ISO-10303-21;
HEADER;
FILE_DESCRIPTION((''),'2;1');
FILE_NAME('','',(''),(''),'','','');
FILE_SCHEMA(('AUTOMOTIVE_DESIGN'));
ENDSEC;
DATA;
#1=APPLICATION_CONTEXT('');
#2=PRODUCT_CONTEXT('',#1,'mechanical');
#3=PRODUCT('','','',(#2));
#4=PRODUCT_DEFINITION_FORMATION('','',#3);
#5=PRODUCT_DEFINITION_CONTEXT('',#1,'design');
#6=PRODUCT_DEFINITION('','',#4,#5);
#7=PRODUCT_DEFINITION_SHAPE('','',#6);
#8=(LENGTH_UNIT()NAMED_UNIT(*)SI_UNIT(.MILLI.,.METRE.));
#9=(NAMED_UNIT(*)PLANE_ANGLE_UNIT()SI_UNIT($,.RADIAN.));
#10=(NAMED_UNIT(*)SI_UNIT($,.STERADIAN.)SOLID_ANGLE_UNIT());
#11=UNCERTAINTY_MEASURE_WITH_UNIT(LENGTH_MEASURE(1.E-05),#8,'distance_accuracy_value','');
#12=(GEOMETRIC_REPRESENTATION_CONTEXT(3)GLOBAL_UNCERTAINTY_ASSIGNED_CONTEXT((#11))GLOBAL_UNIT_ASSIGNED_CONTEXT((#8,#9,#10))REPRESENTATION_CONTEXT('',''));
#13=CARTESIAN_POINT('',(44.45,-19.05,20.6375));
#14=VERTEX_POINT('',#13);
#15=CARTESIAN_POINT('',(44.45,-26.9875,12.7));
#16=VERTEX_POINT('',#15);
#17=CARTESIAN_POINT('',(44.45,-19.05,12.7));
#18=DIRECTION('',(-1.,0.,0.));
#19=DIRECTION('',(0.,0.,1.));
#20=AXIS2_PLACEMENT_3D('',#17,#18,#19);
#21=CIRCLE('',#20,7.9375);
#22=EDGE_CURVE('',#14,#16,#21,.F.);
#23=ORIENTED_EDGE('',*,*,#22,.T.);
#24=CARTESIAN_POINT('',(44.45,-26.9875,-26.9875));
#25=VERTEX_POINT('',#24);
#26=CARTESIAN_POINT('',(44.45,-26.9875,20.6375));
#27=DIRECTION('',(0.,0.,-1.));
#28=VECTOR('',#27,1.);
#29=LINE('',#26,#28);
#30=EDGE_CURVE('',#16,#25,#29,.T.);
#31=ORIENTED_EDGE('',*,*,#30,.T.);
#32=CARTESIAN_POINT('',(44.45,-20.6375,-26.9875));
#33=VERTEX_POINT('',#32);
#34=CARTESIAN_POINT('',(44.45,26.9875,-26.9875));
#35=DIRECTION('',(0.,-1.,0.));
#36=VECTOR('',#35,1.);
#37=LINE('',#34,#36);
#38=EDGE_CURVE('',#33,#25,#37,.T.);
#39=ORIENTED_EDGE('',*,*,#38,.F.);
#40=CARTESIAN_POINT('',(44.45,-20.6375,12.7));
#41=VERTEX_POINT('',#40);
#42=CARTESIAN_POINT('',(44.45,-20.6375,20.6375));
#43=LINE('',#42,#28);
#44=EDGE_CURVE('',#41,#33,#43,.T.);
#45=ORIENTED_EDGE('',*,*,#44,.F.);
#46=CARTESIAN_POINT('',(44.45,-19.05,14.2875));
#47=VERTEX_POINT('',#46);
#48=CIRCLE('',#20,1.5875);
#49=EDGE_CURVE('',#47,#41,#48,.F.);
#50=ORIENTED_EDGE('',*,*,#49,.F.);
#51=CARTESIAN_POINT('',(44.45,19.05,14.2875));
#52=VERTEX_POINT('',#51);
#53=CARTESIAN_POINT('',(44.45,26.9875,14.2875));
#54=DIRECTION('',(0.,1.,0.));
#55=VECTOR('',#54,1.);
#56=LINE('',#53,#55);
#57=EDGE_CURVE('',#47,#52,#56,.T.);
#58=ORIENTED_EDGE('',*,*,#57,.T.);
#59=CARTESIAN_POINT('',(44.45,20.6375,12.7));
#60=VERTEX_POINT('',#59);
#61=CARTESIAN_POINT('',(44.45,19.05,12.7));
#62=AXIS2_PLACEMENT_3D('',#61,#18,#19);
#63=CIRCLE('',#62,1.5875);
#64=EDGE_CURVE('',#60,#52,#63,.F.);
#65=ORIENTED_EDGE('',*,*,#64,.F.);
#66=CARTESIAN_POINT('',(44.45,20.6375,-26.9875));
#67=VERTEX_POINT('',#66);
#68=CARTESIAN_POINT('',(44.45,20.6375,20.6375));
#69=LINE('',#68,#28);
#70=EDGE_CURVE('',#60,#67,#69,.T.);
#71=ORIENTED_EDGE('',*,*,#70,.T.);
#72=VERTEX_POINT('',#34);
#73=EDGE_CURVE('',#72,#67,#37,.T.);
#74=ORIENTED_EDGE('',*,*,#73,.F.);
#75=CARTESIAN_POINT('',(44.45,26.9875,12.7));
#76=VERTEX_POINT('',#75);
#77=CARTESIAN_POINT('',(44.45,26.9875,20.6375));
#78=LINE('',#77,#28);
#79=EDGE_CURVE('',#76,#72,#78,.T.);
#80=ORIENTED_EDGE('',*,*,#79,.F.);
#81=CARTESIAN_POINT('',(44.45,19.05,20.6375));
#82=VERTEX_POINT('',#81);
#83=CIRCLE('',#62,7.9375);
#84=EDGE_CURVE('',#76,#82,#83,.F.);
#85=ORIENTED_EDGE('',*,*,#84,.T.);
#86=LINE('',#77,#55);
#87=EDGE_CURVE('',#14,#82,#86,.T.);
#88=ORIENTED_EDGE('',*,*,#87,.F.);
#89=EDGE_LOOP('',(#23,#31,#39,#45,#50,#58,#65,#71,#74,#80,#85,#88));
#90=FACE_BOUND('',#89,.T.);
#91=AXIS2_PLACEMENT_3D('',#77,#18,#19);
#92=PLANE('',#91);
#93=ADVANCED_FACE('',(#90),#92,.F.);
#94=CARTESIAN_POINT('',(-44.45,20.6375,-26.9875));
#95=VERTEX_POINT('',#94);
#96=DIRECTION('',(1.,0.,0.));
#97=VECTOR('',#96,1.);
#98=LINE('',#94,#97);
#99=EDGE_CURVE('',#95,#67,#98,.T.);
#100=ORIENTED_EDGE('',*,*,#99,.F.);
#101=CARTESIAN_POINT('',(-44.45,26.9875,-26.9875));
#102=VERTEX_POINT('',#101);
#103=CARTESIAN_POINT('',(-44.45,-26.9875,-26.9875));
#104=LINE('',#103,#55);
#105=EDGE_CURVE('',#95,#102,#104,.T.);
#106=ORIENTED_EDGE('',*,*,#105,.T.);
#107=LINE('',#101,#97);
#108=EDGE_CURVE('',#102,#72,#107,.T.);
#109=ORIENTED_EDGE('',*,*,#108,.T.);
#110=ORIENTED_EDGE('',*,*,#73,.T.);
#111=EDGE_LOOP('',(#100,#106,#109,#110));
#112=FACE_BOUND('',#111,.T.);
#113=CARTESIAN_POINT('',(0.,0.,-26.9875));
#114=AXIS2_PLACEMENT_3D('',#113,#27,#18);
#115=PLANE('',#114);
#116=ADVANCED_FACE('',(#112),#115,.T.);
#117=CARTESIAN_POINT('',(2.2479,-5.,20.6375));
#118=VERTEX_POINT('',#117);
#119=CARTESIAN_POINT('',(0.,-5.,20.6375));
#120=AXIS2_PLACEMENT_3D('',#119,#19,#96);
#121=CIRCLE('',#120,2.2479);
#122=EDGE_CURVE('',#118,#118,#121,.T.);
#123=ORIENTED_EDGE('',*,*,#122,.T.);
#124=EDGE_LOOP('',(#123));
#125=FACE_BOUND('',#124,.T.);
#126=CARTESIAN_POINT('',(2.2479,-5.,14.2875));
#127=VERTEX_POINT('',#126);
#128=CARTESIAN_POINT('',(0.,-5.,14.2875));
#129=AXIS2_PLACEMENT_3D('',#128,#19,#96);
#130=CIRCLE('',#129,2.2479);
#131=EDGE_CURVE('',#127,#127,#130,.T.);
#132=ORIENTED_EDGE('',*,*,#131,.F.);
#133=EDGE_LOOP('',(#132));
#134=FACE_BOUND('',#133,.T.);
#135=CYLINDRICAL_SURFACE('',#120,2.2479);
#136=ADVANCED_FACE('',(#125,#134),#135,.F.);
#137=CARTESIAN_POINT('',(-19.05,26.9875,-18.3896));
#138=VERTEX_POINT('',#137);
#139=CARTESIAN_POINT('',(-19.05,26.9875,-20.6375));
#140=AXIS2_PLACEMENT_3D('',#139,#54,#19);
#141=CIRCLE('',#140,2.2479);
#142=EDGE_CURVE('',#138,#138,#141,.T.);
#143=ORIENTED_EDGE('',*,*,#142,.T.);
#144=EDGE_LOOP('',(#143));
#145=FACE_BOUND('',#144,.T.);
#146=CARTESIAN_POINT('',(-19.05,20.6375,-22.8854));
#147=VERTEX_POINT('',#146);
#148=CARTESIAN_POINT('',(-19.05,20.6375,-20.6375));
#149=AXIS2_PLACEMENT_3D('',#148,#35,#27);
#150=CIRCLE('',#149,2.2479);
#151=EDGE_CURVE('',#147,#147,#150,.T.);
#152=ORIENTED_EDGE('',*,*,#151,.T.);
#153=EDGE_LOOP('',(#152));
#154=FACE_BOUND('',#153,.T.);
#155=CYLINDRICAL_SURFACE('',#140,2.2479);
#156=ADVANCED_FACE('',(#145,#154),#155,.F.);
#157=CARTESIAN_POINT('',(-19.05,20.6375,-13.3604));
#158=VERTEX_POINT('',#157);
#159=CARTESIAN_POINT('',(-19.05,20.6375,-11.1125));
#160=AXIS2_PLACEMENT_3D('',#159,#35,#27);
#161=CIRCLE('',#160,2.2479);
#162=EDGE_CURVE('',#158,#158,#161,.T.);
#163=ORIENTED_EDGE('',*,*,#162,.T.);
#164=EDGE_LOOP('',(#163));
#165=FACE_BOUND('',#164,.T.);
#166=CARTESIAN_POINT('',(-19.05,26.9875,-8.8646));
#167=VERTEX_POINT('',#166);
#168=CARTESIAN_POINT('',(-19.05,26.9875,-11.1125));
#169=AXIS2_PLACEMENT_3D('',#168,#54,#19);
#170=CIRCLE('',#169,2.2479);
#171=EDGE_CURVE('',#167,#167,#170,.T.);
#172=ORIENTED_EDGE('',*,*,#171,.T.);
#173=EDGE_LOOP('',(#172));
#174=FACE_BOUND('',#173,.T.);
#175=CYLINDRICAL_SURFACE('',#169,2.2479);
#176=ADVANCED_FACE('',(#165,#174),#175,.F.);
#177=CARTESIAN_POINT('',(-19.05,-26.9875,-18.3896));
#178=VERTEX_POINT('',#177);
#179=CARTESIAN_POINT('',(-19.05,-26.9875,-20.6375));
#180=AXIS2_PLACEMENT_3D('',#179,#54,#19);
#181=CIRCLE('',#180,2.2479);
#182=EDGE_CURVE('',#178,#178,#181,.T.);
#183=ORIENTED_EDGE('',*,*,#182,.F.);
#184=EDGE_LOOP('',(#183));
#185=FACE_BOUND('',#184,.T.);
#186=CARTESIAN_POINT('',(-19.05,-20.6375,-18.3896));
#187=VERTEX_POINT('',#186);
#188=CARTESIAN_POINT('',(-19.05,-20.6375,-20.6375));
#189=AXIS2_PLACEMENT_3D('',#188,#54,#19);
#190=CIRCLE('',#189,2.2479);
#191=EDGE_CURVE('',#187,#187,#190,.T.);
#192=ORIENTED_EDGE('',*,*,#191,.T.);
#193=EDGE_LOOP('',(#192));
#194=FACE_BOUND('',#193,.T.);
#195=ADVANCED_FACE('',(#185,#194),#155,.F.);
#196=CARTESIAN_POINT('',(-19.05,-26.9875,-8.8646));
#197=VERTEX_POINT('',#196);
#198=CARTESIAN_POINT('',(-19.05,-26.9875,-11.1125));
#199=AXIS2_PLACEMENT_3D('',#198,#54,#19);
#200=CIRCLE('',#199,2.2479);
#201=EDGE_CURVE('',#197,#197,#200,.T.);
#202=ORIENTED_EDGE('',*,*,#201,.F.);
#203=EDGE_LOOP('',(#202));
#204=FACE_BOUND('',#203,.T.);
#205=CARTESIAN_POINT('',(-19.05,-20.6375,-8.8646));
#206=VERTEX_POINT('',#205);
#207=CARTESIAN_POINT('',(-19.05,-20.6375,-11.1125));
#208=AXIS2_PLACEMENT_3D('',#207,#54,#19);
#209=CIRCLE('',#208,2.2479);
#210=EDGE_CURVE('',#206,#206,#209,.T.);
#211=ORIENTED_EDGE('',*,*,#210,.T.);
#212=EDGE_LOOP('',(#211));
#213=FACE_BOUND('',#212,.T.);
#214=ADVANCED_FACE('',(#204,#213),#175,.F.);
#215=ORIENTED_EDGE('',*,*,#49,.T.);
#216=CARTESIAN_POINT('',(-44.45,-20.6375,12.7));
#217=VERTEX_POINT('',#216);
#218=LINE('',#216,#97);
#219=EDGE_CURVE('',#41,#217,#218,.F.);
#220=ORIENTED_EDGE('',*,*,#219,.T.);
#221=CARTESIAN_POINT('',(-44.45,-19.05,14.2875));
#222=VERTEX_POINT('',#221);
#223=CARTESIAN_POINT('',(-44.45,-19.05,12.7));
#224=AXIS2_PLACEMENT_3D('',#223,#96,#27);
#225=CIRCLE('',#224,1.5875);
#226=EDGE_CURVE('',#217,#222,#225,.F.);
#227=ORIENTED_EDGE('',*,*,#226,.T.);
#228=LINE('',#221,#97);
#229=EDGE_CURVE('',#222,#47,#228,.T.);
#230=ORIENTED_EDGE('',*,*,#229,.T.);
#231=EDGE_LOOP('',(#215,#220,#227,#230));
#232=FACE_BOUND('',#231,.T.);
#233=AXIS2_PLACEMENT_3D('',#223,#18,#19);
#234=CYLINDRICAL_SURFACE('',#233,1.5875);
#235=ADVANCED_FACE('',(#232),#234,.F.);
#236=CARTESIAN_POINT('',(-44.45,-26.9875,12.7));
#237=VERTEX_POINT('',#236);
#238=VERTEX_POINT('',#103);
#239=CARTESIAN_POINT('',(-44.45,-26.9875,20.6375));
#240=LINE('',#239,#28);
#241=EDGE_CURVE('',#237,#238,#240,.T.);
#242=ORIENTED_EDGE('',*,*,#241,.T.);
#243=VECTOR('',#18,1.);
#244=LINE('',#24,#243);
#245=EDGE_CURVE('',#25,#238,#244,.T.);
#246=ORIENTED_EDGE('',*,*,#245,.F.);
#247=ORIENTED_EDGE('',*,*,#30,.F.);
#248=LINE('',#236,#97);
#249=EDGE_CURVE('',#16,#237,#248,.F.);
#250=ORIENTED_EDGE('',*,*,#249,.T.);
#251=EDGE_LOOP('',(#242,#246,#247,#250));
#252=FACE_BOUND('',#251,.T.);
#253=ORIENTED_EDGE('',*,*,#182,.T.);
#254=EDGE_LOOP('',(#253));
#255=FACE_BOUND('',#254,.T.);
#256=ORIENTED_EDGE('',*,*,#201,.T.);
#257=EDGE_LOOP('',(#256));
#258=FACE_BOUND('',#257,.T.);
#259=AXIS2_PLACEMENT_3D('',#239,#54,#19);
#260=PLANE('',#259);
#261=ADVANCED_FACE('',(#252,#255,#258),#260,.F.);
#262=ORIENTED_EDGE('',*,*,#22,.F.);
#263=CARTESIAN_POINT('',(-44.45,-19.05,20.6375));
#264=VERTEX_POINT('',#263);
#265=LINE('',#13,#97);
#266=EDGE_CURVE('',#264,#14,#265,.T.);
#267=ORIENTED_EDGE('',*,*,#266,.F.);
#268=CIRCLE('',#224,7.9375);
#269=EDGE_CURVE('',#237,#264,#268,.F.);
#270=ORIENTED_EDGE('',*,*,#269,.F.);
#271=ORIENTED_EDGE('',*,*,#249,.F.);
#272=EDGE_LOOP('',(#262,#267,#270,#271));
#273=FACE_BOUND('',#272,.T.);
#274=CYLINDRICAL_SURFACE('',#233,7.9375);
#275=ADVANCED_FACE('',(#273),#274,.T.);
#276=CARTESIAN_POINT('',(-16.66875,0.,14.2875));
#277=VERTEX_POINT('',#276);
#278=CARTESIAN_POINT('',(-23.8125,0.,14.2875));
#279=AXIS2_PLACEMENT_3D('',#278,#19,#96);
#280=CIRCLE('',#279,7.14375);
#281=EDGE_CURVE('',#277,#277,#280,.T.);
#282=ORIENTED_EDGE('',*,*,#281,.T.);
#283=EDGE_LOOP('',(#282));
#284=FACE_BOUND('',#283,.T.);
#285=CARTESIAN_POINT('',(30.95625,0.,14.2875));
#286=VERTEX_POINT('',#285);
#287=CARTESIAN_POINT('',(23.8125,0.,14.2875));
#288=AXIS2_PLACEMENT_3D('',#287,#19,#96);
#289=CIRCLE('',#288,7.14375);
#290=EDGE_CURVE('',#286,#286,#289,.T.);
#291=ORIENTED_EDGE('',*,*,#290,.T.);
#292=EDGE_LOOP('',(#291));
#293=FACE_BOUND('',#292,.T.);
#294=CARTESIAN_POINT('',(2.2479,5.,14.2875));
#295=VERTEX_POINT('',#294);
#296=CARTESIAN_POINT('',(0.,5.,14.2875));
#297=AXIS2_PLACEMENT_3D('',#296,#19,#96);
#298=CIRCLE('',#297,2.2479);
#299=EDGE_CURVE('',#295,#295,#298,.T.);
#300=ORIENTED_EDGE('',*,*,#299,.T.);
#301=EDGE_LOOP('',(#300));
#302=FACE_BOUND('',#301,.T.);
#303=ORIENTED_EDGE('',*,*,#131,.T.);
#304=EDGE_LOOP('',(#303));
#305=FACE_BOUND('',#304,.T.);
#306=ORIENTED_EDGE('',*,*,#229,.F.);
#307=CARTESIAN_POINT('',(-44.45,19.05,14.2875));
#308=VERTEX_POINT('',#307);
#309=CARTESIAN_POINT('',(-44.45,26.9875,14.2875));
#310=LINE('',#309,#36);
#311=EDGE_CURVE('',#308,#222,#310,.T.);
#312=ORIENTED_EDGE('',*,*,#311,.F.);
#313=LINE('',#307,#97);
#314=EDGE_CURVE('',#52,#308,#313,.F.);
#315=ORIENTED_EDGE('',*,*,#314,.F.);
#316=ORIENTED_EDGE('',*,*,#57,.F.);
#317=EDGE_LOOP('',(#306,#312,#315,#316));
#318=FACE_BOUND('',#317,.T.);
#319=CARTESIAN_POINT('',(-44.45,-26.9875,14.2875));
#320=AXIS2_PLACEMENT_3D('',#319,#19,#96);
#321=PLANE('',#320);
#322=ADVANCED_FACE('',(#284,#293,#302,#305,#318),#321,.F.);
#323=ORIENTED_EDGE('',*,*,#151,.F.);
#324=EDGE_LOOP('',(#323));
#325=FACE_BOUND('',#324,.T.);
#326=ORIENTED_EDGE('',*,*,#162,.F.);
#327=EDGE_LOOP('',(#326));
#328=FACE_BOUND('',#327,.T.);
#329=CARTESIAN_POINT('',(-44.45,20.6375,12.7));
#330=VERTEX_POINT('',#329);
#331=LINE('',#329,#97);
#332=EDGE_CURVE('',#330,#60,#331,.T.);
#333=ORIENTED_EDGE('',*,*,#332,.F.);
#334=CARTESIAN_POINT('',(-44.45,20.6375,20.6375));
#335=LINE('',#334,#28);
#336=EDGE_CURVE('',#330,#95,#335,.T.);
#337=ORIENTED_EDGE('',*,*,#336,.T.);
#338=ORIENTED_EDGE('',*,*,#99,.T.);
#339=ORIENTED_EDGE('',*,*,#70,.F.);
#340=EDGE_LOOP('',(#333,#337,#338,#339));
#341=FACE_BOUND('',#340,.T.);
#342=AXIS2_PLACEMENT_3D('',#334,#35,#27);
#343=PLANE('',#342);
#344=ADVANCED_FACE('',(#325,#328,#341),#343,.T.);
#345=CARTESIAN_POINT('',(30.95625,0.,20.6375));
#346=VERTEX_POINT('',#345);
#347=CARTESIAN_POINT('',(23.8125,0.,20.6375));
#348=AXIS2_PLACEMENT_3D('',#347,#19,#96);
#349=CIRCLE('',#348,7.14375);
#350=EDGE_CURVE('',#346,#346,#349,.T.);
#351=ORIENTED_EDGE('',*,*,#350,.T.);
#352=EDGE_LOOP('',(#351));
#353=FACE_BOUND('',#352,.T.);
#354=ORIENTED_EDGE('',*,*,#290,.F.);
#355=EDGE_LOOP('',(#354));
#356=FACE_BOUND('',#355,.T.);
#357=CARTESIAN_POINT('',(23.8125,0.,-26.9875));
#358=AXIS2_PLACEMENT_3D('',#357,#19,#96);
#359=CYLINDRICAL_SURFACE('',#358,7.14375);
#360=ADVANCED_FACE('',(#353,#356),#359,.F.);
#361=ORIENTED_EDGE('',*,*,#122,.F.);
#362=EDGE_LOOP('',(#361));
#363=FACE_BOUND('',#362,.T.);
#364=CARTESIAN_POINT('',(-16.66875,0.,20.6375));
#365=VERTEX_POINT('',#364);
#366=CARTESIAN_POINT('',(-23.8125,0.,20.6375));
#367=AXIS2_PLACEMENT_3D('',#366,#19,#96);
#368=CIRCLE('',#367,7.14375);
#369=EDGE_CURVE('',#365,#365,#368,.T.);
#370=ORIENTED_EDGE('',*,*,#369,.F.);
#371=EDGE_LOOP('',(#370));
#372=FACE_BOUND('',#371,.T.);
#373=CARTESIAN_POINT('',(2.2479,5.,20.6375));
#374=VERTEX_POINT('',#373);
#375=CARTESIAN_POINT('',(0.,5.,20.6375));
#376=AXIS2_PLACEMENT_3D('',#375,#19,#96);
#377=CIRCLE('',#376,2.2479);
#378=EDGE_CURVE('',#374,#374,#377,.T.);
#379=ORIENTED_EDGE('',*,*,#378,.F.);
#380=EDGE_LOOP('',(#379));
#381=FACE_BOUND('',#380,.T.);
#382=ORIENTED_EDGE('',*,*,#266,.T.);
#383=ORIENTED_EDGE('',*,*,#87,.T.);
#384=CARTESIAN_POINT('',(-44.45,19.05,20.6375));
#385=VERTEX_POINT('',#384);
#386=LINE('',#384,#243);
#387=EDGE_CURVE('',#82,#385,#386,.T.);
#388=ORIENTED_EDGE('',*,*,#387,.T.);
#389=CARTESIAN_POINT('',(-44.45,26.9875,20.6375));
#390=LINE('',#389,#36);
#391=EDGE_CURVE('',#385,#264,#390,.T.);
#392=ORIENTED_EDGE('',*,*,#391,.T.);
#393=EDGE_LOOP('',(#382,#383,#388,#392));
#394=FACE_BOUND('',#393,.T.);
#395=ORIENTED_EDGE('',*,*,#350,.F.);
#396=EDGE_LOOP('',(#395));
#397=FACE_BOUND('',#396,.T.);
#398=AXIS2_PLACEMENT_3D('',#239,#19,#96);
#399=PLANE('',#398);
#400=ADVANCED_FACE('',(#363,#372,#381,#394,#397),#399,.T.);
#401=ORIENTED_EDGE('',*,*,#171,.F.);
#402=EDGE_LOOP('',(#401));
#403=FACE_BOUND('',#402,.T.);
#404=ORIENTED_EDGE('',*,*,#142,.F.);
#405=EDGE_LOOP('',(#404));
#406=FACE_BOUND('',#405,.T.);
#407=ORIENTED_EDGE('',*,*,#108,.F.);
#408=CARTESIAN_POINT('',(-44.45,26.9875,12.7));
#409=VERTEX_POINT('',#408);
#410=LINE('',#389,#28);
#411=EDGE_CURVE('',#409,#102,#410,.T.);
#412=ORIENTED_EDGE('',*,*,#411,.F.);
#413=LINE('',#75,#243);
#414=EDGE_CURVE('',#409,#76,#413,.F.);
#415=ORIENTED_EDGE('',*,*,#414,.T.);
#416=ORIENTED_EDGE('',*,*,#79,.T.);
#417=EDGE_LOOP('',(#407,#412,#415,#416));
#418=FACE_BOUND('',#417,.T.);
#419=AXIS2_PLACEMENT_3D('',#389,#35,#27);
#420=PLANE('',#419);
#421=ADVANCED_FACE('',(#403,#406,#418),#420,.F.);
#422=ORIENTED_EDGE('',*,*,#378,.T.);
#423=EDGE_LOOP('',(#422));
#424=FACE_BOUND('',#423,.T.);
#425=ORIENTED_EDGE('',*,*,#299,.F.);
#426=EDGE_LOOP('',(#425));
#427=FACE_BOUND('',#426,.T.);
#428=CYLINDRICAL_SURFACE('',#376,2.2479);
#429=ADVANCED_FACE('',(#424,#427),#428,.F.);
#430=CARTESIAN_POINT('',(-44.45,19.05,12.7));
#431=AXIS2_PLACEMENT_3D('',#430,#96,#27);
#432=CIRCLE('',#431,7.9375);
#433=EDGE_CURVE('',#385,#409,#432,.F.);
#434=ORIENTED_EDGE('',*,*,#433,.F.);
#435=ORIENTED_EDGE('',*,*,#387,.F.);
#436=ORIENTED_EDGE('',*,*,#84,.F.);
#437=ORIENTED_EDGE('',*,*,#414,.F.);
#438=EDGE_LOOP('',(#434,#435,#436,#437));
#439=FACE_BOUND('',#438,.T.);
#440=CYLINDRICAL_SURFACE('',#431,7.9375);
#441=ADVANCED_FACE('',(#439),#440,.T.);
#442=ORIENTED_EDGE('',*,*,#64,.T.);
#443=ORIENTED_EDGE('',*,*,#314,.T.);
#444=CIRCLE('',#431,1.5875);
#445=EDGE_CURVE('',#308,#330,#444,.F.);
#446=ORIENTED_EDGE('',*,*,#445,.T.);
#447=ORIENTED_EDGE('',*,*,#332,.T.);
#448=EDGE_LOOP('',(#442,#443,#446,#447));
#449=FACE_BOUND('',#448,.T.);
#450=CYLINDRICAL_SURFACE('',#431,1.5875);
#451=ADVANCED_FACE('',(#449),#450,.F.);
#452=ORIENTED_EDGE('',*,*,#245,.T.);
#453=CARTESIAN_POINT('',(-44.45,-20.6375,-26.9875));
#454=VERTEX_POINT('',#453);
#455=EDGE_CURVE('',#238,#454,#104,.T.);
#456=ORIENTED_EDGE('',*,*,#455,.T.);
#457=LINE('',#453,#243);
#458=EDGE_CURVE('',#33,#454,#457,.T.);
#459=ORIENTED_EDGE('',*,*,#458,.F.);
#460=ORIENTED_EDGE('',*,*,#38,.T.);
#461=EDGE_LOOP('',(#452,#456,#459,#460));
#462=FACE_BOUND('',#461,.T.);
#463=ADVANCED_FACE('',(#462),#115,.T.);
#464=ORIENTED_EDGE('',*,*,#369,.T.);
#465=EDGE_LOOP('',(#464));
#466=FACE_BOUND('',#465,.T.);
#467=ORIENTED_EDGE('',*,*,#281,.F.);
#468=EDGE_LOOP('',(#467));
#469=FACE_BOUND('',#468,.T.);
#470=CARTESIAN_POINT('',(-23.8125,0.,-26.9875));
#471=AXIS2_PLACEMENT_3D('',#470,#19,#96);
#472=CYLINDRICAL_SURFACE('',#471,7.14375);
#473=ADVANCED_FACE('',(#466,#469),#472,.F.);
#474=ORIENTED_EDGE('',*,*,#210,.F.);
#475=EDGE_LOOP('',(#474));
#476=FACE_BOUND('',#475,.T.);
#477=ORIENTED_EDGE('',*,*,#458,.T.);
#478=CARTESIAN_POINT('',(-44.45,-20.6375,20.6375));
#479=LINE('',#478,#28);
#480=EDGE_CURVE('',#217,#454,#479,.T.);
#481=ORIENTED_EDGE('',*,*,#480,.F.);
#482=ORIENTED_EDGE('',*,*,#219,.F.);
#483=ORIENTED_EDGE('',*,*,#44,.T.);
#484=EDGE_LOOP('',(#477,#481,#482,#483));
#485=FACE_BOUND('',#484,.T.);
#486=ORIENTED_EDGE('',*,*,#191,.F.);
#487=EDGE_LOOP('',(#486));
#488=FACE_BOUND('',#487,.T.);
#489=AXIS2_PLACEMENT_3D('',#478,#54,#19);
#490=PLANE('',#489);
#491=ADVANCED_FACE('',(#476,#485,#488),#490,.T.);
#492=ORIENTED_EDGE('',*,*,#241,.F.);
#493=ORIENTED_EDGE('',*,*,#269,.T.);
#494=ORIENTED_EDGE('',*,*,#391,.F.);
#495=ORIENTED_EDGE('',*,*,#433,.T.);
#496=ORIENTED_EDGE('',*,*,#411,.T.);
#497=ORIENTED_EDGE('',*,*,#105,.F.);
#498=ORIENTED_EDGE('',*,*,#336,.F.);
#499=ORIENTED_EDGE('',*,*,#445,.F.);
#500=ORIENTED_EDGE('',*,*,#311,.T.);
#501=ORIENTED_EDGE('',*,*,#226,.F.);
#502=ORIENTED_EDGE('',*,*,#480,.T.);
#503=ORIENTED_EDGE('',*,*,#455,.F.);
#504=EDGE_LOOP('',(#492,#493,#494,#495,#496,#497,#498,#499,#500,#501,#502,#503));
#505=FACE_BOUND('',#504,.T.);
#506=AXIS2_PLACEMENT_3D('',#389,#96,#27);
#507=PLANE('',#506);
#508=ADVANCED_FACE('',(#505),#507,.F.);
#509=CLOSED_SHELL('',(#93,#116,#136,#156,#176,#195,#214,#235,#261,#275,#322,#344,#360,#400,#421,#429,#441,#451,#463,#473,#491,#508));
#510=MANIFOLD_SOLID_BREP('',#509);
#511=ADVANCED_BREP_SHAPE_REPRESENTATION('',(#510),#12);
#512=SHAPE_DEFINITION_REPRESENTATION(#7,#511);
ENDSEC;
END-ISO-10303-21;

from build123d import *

# Parameters (mm, degrees)
SKETCH1_W                   = 88.9
SKETCH1_H                   = 53.975
BOSS_EXTRUDE1_DEPTH         = 20.6375
FILLET1_R                   = 7.9375
SKETCH3_W                   = 88.9
SKETCH3_H                   = 53.975
BOSS_EXTRUDE2_DEPTH         = 6.35
SHELL1_T                    = -6.35
SKETCH2_R                   = 7.14375
CUT_EXTRUDE1_DEPTH          = 47.625
F_16_0_177_DIAMETER_HOLE1_D = 4.4958
F_16_0_177_DIAMETER_HOLE2_D = 4.4958


with BuildPart() as part:
    # Sketch1 → Boss-Extrude1 (new body, symmetric)
    with BuildSketch(Plane.XY):
        Rectangle(SKETCH1_W, SKETCH1_H)
    extrude(amount=BOSS_EXTRUDE1_DEPTH, both=True)

    # Fillet1
    fillet1_edges = [part.edges().sort_by_distance(p)[0] for p in [
        (0, 26.9875, 20.6375),
        (0, -26.9875, 20.6375),
    ]]
    fillet(fillet1_edges, radius=FILLET1_R)

    # Sketch3 → Boss-Extrude2 (add)
    with BuildSketch(Plane(origin=(0, 0, -20.6375), x_dir=(-1, 0, 0), z_dir=(0, 0, -1))):
        Rectangle(SKETCH3_W, SKETCH3_H)
    extrude(amount=BOSS_EXTRUDE2_DEPTH)

    # Shell1
    shell1_openings = [part.faces().sort_by_distance(p)[0] for p in [
        (0, 0, -26.9875),
        (44.45, 0, 2.664636692),
        (-44.45, 0, 2.664636692),
    ]]
    offset(amount=SHELL1_T, openings=shell1_openings, kind=Kind.INTERSECTION)

    # Sketch2 → Cut-Extrude1 (cut)
    with BuildSketch(Plane.XY.offset(20.6375)):
        with Locations((-23.8125, 0)):
            Circle(SKETCH2_R)
        with Locations((23.8125, 0)):
            Circle(SKETCH2_R)
    extrude(amount=-CUT_EXTRUDE1_DEPTH, mode=Mode.SUBTRACT)

    # #16 (0.177) Diameter Hole1 (through all)
    with Locations(Plane(origin=(0, 26.9875, 0), x_dir=(1, 0, 0), z_dir=(0, 1, 0))):
        with Locations((-19.05, 11.1125), (-19.05, 20.6375)):
            Hole(F_16_0_177_DIAMETER_HOLE1_D / 2)

    # #16 (0.177) Diameter Hole2 (through all)
    with Locations(Plane.XY.offset(20.6375)):
        with Locations((0, -5), (0, 5)):
            Hole(F_16_0_177_DIAMETER_HOLE2_D / 2)


solid = part.part
